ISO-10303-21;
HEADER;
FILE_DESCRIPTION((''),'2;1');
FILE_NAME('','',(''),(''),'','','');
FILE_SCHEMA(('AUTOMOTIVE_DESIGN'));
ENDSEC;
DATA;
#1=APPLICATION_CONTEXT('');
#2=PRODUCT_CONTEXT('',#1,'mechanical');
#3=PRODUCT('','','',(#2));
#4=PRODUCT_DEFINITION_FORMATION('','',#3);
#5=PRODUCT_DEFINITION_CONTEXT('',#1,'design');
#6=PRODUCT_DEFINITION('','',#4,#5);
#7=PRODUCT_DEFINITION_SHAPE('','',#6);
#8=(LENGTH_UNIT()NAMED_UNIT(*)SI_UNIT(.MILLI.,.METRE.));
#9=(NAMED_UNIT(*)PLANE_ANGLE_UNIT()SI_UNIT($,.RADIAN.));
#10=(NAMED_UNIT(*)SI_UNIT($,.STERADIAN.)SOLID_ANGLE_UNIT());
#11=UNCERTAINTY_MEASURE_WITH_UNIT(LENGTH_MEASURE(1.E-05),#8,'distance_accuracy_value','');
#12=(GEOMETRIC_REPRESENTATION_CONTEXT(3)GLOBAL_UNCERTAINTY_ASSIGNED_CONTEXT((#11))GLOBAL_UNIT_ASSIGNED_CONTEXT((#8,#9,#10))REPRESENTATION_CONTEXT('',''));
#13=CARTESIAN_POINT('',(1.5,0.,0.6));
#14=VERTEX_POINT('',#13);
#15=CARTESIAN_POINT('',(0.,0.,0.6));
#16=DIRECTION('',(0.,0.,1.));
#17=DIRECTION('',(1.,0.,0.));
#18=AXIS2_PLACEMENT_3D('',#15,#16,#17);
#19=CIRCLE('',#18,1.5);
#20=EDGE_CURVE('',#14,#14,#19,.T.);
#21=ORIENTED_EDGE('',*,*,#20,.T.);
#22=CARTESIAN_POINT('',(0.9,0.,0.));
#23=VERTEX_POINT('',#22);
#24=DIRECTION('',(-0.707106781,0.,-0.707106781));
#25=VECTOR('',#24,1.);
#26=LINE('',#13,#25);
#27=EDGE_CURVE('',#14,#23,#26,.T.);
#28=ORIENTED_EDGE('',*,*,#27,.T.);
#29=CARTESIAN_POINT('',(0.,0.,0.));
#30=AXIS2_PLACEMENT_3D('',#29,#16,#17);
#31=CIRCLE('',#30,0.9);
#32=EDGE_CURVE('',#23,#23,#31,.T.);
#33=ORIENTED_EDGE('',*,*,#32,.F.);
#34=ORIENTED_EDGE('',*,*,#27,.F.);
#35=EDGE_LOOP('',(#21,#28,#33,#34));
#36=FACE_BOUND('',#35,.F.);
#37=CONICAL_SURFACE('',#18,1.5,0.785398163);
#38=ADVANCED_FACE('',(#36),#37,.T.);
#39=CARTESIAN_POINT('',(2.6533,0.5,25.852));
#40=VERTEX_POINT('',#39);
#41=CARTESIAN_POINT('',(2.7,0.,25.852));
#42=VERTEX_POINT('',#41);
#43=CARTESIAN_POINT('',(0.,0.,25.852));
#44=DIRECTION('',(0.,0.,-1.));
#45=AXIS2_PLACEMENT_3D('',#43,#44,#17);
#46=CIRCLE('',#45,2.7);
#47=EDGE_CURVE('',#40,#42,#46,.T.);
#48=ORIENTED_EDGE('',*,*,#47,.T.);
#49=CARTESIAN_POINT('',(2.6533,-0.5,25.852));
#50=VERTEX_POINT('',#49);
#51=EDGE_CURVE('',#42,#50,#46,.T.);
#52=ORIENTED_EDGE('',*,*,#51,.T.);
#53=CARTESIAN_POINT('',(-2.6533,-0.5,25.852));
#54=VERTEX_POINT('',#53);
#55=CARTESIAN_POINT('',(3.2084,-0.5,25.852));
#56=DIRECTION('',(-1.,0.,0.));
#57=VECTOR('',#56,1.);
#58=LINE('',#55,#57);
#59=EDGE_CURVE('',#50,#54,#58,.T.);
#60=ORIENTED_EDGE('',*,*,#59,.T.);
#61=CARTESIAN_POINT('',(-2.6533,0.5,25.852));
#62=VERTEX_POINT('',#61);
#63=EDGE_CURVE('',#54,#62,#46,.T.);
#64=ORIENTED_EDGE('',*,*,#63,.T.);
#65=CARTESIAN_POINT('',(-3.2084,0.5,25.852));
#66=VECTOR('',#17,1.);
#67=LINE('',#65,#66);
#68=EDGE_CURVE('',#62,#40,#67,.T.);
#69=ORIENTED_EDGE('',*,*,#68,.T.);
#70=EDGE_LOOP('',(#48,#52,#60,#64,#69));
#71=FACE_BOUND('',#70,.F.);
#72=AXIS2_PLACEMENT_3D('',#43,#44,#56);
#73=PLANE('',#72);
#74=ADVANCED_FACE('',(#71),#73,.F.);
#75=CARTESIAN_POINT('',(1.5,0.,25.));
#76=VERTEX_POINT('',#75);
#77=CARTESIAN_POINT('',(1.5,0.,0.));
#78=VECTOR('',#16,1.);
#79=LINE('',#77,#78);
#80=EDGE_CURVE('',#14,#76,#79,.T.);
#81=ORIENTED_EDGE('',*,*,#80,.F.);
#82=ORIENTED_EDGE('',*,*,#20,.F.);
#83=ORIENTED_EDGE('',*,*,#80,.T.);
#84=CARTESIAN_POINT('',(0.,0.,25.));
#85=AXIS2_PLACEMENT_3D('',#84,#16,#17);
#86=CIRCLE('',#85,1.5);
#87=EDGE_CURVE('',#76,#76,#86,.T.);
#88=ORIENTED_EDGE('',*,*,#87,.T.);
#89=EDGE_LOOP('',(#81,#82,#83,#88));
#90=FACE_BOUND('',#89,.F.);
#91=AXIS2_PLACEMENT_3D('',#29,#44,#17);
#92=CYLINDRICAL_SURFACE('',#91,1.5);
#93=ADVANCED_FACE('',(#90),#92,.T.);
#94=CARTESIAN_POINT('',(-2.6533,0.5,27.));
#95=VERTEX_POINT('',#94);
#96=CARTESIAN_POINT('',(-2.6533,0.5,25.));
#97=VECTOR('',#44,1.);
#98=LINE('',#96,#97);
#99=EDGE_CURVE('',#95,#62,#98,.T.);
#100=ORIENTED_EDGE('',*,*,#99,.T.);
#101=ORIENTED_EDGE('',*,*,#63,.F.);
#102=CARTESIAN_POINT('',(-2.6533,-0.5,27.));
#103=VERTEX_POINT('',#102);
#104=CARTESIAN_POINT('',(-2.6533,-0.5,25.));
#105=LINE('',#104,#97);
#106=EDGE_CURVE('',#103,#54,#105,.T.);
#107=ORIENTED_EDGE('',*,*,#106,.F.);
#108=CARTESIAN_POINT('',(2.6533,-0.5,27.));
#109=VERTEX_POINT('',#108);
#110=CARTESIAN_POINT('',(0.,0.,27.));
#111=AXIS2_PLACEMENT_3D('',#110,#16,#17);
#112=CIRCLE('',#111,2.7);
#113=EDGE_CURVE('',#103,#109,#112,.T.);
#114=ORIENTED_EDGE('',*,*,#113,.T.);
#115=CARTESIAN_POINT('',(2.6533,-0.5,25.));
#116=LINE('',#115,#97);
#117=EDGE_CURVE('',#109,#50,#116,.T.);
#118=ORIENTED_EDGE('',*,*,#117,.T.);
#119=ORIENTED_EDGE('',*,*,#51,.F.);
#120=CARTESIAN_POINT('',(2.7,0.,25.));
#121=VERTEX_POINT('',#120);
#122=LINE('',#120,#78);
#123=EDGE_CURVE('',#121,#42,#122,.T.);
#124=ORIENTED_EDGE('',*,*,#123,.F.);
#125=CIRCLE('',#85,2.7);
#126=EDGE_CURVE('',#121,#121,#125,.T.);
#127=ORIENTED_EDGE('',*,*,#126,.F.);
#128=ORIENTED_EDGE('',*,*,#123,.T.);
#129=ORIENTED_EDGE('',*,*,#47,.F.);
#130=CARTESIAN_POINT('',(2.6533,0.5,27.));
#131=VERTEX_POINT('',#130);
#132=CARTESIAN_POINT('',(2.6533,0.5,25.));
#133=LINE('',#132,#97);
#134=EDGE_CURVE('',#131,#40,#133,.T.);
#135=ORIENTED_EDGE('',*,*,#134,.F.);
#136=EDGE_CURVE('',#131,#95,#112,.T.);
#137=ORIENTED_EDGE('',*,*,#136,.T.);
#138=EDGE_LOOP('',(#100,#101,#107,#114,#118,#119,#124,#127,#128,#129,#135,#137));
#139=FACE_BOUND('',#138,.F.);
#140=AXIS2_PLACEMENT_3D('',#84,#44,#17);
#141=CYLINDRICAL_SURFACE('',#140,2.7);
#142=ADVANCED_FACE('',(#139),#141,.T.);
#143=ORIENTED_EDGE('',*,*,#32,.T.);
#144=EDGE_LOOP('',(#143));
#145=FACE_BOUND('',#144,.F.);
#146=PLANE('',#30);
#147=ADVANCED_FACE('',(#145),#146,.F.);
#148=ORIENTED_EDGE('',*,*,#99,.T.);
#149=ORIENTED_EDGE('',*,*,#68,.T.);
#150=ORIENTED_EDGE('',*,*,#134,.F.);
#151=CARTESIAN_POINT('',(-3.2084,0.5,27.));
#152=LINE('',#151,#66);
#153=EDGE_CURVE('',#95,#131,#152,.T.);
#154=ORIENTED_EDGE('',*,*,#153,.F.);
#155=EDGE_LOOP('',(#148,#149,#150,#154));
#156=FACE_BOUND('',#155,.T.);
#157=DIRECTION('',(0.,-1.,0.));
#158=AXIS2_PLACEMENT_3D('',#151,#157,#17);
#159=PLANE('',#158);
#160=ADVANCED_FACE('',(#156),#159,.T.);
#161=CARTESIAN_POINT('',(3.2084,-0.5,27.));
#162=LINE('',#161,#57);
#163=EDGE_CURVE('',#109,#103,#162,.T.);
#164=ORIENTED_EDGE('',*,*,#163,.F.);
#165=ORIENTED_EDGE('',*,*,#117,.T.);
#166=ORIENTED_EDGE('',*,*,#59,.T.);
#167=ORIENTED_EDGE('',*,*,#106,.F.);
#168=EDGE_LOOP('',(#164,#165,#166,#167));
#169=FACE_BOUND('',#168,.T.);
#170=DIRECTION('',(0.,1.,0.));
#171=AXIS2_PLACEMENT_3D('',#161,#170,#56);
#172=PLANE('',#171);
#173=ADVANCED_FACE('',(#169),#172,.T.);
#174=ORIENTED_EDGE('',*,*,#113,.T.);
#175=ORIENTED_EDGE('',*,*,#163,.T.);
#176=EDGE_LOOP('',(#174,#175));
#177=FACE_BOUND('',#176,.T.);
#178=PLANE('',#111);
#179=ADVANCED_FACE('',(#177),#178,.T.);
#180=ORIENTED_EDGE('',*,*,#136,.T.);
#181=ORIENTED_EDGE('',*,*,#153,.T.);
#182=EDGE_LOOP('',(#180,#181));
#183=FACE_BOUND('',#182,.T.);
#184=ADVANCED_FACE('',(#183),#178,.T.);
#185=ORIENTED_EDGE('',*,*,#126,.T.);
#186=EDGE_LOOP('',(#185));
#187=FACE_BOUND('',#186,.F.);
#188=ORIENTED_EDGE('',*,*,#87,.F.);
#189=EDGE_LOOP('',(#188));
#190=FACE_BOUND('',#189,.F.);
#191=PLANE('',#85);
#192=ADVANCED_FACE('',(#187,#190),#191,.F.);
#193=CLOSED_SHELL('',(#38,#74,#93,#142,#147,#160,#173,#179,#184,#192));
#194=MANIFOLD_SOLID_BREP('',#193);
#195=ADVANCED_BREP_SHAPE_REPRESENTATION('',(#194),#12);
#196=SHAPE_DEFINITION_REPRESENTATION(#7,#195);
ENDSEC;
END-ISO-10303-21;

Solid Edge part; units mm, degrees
sketch "Sketch1" plane through (0, 0, 0) normal (0, 0, 1) x (1, 0, 0)
  circle A0 centre (0, 0) radius 1.5
  dimension "D1" = 3
extrude "Protrusion1" add sketch "Sketch1" along normal blind 25
chamfer "Chaflán_1" distance 0.6 angle 45 1 edges at (-1.5, 0, 0)
sketch "Sketch2" plane through (0, 0, 25) normal (0, 0, 1) x (1, 0, 0)
  circle A0 centre (0, 0) radius 2.7
  dimension "D1" = 5.4
extrude "ProtrusiónExtruida_3" add sketch "Sketch2" along normal blind 2
sketch "Sketch3" plane through (0, 0, 27) normal (0, 0, 1) x (0, 1, 0)
  line L0 (0.5, -3.2084) -> (-0.5, -3.2084)
  line L1 (-0.5, -3.2084) -> (-0.5, 3.2084)
  line L2 (-0.5, 3.2084) -> (0.5, 3.2084)
  line L3 (0.5, 3.2084) -> (0.5, -3.2084)
  dimension "D1" = 0.5
extrude "VaciadoExtruido_5" cut sketch "Sketch3" against normal blind 1.148
properties material "Acero inoxidable, 303"
